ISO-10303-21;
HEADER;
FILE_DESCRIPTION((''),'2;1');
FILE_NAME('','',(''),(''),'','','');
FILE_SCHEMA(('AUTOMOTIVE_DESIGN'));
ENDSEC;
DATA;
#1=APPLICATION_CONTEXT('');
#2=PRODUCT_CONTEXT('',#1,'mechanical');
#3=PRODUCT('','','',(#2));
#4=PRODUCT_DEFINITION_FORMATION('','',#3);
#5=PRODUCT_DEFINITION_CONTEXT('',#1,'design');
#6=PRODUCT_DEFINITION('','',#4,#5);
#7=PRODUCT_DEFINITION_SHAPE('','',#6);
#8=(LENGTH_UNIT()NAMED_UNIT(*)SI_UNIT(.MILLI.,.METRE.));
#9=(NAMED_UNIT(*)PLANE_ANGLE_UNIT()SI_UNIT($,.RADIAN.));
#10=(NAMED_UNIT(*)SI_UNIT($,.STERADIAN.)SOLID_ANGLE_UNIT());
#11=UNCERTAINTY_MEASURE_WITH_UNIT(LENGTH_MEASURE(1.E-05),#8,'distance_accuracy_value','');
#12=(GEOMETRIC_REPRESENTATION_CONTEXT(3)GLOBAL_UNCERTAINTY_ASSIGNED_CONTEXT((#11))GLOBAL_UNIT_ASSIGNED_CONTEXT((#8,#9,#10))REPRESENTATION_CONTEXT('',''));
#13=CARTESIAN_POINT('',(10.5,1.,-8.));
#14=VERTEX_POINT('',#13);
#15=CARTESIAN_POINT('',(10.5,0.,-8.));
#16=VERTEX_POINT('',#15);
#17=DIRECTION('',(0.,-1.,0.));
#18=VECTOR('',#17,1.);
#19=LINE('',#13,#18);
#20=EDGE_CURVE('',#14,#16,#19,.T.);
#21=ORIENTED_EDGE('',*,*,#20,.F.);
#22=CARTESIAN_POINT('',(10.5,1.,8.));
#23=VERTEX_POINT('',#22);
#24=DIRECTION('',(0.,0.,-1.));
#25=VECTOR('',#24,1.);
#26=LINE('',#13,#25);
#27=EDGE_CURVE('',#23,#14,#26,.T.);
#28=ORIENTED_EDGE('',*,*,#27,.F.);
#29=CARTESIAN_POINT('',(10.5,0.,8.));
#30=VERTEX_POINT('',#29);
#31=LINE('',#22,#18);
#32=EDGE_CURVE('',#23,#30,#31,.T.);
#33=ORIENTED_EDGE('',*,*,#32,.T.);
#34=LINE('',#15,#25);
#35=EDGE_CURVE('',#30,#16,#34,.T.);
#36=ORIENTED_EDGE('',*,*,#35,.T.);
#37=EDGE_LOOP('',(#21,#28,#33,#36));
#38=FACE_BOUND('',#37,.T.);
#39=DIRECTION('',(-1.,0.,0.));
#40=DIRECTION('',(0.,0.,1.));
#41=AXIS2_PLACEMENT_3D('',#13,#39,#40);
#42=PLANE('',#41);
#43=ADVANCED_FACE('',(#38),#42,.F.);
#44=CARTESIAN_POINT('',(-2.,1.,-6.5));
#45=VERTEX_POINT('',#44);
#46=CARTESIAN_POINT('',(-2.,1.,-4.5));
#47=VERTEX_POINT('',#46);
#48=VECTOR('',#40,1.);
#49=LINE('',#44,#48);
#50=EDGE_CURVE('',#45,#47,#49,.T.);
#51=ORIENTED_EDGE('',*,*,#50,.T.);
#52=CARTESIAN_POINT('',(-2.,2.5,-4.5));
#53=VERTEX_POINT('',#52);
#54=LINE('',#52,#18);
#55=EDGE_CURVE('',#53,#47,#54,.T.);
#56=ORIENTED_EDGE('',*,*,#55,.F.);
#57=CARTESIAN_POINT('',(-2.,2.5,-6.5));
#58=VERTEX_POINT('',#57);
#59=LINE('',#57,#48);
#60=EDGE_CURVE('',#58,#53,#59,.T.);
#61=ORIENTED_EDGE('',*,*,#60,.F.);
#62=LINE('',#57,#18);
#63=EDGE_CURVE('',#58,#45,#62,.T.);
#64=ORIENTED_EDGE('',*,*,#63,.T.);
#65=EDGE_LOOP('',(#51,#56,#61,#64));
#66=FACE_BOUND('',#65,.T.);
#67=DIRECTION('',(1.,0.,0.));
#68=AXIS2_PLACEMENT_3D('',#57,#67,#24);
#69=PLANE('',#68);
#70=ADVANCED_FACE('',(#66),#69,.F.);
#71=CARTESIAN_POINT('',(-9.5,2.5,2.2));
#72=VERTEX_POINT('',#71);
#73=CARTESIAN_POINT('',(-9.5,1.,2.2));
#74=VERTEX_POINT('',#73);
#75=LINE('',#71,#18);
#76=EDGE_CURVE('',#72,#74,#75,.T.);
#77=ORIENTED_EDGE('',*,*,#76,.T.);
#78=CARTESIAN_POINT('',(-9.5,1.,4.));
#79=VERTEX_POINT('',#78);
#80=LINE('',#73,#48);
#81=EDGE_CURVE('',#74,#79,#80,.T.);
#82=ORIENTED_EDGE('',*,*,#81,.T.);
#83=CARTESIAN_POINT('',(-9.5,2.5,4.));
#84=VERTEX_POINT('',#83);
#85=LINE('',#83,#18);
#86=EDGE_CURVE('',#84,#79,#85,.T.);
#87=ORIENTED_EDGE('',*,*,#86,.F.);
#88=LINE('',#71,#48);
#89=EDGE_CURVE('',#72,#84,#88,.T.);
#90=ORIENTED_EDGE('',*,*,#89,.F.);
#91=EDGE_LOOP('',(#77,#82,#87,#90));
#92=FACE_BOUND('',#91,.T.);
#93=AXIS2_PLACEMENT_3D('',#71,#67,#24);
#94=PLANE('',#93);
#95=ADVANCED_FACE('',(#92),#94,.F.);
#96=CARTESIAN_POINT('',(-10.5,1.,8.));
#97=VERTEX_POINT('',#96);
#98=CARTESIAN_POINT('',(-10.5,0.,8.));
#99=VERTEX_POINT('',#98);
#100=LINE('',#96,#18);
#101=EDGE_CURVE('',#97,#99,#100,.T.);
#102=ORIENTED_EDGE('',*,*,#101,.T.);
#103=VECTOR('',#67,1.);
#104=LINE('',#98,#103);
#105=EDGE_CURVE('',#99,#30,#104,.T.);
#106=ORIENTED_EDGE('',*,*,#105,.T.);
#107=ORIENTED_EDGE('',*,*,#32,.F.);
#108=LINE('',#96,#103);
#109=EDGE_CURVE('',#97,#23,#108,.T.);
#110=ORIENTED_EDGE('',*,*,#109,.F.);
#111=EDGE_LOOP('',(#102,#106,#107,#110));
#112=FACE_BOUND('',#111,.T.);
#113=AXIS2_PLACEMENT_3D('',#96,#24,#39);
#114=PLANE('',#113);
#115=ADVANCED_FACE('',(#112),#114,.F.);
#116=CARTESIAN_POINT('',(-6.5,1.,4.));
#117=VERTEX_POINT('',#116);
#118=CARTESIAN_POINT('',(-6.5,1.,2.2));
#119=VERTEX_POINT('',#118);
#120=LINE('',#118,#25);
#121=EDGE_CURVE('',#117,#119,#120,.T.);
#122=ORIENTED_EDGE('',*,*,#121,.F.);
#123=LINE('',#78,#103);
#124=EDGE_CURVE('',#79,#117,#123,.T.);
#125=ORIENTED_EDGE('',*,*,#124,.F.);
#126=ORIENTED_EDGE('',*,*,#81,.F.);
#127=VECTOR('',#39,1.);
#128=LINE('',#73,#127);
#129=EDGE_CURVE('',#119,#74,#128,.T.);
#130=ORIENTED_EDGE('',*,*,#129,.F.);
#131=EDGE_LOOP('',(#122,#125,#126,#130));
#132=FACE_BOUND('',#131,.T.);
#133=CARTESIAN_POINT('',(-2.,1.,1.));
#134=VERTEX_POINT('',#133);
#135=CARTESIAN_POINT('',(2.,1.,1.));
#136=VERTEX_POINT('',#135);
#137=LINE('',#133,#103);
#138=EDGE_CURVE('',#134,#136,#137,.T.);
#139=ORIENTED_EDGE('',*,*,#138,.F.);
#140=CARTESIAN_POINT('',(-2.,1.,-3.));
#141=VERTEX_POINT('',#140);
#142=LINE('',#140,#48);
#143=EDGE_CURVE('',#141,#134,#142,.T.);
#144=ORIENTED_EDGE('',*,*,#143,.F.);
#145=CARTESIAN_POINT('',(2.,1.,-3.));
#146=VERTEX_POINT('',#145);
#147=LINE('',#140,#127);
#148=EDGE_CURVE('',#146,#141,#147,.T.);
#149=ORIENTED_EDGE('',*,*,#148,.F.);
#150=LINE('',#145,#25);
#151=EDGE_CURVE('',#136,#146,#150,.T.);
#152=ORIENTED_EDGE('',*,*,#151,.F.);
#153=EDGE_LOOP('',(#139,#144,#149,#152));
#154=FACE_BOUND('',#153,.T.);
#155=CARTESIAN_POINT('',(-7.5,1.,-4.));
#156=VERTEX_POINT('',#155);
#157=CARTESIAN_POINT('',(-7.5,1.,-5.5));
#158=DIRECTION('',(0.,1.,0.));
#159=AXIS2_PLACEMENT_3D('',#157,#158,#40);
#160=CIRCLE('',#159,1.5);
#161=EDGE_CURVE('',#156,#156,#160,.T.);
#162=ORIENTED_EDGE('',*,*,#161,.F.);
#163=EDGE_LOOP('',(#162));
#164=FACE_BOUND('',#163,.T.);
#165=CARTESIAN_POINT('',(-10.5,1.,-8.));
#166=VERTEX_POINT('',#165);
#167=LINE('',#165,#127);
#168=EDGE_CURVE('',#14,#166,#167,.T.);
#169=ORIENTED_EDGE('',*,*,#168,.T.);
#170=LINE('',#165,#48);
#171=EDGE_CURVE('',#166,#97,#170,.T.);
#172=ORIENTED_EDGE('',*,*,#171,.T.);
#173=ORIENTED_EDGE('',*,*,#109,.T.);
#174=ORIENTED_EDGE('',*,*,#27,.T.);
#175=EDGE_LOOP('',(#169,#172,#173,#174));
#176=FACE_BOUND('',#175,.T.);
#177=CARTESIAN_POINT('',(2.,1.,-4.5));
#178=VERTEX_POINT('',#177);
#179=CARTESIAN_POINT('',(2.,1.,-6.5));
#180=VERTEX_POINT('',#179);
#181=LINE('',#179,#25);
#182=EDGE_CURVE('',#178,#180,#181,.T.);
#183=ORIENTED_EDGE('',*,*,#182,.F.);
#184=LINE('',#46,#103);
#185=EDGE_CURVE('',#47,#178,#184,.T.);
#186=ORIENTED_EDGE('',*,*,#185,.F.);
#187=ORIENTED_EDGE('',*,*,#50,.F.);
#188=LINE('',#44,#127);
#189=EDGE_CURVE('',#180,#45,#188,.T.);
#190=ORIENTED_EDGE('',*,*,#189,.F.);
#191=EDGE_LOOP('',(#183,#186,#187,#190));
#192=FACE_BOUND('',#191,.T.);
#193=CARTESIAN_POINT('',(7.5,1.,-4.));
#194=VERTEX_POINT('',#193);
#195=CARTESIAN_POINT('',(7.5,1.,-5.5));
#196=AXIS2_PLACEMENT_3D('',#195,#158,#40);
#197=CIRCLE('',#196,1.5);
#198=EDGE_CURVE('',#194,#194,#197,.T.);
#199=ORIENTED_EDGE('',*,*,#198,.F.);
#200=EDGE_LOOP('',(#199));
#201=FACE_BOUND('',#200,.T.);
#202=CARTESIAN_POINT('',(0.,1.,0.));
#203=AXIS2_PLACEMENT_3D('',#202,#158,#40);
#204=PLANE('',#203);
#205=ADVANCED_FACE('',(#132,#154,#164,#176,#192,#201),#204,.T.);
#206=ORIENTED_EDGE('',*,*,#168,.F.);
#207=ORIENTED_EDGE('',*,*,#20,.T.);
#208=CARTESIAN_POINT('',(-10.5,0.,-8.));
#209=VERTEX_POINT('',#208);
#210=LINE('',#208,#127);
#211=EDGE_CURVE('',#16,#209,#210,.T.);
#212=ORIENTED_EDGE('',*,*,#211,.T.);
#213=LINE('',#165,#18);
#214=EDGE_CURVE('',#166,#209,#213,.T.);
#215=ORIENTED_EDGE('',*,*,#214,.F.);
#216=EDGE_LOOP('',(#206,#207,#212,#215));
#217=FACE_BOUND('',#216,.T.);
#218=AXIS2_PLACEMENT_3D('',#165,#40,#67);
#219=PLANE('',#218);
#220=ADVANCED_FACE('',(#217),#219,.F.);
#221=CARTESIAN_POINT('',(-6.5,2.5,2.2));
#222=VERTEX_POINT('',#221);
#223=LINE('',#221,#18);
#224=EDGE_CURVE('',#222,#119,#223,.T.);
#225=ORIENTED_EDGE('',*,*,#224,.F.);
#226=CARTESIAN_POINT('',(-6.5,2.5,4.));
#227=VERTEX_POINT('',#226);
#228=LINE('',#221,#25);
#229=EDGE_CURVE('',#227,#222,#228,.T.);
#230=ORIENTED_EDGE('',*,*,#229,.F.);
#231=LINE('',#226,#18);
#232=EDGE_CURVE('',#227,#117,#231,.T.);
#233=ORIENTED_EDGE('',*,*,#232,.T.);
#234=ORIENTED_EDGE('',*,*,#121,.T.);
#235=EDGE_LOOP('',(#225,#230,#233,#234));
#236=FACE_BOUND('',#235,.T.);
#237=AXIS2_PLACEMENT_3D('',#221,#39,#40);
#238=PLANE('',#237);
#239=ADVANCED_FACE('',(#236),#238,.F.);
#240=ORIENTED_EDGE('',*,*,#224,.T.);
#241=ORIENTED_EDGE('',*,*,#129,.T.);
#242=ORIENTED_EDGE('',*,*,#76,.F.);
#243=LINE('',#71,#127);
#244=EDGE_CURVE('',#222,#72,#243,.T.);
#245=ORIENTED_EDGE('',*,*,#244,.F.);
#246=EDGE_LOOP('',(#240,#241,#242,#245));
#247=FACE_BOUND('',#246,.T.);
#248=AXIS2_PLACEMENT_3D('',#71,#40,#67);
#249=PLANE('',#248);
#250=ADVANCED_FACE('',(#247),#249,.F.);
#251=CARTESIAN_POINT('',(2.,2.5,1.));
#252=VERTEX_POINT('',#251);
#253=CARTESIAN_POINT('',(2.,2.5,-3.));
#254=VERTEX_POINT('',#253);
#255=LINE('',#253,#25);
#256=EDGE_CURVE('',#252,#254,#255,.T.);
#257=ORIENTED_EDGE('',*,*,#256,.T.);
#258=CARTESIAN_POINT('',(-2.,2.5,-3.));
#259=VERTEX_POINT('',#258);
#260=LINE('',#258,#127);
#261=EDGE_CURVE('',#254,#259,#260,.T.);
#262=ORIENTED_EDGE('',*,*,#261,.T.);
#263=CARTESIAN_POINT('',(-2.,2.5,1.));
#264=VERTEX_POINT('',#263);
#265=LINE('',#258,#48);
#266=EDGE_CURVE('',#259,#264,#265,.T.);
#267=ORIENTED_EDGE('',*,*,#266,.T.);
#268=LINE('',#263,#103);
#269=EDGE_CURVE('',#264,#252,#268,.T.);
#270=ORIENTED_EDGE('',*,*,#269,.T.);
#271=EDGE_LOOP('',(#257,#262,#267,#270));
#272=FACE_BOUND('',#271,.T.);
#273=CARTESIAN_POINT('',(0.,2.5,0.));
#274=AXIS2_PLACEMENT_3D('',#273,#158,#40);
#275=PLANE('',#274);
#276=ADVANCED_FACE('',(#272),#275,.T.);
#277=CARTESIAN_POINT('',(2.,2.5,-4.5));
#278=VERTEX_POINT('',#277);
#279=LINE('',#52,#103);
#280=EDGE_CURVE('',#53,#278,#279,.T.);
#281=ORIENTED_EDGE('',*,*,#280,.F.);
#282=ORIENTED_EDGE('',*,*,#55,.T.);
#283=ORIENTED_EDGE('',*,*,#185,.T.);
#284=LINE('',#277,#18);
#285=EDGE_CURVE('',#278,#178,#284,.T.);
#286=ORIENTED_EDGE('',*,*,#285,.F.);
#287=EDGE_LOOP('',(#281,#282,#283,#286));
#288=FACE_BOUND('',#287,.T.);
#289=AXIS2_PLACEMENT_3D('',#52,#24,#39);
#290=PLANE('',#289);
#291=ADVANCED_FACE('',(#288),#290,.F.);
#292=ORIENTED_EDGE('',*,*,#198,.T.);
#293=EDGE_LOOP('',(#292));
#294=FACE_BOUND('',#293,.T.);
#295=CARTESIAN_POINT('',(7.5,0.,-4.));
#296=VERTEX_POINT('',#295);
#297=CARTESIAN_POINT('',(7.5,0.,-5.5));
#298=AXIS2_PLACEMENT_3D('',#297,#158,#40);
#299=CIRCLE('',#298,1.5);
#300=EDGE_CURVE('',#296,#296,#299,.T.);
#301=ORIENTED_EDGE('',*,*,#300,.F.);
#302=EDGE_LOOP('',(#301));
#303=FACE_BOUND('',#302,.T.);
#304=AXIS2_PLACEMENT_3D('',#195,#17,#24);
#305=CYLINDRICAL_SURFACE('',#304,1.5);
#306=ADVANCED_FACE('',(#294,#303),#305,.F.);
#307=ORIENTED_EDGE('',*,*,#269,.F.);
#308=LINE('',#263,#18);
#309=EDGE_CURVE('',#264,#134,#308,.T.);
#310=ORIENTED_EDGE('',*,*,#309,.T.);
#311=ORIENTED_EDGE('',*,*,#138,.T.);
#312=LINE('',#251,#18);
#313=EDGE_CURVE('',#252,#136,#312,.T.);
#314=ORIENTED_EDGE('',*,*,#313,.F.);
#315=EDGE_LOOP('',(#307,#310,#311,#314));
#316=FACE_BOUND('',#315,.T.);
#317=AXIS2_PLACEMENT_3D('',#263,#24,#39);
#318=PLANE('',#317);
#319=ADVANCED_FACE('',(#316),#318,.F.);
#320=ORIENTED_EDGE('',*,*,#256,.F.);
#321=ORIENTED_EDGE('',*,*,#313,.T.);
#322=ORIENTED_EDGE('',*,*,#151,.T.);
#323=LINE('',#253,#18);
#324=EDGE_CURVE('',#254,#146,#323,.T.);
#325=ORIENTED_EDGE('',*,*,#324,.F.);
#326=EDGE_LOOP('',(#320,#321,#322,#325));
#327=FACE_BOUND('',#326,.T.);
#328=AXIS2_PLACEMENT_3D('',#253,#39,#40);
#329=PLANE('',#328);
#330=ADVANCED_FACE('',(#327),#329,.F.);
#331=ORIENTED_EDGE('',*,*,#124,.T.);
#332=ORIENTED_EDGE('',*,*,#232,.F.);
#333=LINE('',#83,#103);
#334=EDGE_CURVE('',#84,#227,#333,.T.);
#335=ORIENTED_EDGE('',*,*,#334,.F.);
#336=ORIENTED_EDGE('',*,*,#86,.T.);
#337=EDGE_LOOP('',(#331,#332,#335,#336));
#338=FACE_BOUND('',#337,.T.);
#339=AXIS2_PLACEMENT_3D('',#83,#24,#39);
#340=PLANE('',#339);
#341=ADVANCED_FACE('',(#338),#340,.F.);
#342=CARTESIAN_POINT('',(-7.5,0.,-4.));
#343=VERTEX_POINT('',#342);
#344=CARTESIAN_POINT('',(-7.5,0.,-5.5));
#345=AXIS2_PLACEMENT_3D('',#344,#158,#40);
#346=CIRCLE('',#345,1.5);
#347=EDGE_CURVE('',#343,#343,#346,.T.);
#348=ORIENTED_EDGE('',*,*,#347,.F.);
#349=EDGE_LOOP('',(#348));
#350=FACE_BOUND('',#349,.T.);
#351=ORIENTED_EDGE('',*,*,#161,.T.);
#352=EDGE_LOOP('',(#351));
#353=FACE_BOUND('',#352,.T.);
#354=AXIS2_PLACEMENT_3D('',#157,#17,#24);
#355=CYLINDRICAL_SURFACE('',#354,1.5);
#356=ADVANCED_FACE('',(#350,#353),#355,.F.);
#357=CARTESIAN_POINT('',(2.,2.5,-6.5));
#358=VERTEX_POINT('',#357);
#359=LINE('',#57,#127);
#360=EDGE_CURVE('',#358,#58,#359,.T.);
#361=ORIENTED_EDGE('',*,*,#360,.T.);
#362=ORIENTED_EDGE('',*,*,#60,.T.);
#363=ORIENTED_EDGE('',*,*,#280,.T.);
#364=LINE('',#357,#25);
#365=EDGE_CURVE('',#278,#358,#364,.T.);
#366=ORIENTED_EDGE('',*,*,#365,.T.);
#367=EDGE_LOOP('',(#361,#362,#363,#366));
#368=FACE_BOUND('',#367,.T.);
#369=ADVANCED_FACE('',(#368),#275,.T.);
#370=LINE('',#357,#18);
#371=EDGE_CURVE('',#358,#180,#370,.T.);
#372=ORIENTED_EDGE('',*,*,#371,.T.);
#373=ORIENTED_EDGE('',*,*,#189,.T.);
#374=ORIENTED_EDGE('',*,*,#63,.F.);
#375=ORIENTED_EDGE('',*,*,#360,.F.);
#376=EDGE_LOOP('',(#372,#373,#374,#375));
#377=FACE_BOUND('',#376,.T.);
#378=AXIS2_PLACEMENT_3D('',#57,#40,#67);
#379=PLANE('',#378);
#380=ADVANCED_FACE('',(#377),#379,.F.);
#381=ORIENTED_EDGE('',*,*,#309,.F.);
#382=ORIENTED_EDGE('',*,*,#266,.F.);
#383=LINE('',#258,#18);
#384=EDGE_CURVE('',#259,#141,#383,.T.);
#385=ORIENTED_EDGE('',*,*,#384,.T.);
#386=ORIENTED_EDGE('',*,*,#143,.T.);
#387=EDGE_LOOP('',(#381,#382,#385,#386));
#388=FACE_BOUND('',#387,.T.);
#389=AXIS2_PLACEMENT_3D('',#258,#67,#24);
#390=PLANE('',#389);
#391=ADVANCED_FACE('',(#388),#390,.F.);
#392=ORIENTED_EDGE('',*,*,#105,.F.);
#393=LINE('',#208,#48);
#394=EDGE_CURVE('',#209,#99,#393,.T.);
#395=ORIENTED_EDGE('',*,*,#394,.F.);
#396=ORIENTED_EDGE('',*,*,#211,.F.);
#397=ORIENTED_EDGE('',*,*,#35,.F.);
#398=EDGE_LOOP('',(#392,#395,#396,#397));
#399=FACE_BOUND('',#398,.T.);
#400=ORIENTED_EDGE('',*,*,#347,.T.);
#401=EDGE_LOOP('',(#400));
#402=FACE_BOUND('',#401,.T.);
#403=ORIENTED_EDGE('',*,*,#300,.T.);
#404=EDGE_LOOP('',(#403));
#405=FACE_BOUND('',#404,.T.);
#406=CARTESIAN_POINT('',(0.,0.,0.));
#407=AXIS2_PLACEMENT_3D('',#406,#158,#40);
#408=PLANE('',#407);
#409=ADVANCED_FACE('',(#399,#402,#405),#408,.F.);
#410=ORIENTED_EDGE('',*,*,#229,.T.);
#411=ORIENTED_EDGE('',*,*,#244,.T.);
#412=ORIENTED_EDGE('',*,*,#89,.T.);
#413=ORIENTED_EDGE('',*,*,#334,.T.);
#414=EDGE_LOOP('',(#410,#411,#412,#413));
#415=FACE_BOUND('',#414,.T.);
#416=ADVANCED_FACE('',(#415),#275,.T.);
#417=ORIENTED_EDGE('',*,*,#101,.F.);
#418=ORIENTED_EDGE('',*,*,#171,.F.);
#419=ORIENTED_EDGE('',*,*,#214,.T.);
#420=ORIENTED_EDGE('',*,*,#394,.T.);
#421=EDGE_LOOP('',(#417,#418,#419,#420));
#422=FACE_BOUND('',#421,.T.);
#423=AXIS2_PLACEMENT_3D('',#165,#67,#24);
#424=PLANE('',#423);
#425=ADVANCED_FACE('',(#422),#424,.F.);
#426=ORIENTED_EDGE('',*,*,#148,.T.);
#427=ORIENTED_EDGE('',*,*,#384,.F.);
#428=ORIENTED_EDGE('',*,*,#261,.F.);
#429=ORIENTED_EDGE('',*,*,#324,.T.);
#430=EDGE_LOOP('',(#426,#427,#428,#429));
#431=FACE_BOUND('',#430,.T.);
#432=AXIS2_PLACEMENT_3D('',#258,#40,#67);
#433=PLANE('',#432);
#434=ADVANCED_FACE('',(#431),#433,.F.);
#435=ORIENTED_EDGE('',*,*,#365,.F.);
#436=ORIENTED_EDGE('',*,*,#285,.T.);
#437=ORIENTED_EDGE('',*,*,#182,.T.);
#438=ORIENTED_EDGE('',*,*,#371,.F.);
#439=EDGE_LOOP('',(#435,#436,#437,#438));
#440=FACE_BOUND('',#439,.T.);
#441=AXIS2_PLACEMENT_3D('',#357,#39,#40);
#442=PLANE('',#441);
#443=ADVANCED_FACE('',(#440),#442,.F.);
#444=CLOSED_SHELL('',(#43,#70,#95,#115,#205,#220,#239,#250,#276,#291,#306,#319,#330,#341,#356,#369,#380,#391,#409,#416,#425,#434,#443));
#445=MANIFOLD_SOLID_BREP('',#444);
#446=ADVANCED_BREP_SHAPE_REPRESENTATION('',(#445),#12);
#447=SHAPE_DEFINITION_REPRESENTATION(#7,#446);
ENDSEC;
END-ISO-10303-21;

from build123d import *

# Parameters (mm, degrees)
SKETCH1_W        = 21
SKETCH1_H        = 16
SKETCH1_R        = 1.5
PCB_DEPTH        = 1
SKETCH2_W        = 4
SKETCH2_H        = 4
SKETCH2_W_2      = 3
SKETCH2_H_2      = 1.8
COMPONENTS_DEPTH = 1.5
SKETCH3_W        = 4
SKETCH3_H        = 2
CAPACITOR_DEPTH  = 1.5


with BuildPart() as part:
    # Sketch1 → PCB (new body)
    with BuildSketch(Plane(origin=(0, 0, 0), x_dir=(1, 0, 0), z_dir=(0, 1, 0))):
        Rectangle(SKETCH1_W, SKETCH1_H)
        with Locations(Location((-7.5, 5.5, 0), (0, 0, 270))):
            Circle(SKETCH1_R, mode=Mode.SUBTRACT)
        with Locations(Location((7.5, 5.5, 0), (0, 0, 270))):
            Circle(SKETCH1_R, mode=Mode.SUBTRACT)
    extrude(amount=PCB_DEPTH)

    # Sketch2 → Components (add)
    with BuildSketch(Plane(origin=(0, 1, 0), x_dir=(1, 0, 0), z_dir=(0, 1, 0))):
        with Locations((0, 1)):
            Rectangle(SKETCH2_W, SKETCH2_H)
        with Locations((-8, -3.1)):
            Rectangle(SKETCH2_W_2, SKETCH2_H_2)
    extrude(amount=COMPONENTS_DEPTH)

    # Sketch3 → Capacitor (add)
    with BuildSketch(Plane(origin=(0, 1, 0), x_dir=(1, 0, 0), z_dir=(0, 1, 0))):
        with Locations((0, 5.5)):
            Rectangle(SKETCH3_W, SKETCH3_H)
    extrude(amount=CAPACITOR_DEPTH)


solid = part.part
